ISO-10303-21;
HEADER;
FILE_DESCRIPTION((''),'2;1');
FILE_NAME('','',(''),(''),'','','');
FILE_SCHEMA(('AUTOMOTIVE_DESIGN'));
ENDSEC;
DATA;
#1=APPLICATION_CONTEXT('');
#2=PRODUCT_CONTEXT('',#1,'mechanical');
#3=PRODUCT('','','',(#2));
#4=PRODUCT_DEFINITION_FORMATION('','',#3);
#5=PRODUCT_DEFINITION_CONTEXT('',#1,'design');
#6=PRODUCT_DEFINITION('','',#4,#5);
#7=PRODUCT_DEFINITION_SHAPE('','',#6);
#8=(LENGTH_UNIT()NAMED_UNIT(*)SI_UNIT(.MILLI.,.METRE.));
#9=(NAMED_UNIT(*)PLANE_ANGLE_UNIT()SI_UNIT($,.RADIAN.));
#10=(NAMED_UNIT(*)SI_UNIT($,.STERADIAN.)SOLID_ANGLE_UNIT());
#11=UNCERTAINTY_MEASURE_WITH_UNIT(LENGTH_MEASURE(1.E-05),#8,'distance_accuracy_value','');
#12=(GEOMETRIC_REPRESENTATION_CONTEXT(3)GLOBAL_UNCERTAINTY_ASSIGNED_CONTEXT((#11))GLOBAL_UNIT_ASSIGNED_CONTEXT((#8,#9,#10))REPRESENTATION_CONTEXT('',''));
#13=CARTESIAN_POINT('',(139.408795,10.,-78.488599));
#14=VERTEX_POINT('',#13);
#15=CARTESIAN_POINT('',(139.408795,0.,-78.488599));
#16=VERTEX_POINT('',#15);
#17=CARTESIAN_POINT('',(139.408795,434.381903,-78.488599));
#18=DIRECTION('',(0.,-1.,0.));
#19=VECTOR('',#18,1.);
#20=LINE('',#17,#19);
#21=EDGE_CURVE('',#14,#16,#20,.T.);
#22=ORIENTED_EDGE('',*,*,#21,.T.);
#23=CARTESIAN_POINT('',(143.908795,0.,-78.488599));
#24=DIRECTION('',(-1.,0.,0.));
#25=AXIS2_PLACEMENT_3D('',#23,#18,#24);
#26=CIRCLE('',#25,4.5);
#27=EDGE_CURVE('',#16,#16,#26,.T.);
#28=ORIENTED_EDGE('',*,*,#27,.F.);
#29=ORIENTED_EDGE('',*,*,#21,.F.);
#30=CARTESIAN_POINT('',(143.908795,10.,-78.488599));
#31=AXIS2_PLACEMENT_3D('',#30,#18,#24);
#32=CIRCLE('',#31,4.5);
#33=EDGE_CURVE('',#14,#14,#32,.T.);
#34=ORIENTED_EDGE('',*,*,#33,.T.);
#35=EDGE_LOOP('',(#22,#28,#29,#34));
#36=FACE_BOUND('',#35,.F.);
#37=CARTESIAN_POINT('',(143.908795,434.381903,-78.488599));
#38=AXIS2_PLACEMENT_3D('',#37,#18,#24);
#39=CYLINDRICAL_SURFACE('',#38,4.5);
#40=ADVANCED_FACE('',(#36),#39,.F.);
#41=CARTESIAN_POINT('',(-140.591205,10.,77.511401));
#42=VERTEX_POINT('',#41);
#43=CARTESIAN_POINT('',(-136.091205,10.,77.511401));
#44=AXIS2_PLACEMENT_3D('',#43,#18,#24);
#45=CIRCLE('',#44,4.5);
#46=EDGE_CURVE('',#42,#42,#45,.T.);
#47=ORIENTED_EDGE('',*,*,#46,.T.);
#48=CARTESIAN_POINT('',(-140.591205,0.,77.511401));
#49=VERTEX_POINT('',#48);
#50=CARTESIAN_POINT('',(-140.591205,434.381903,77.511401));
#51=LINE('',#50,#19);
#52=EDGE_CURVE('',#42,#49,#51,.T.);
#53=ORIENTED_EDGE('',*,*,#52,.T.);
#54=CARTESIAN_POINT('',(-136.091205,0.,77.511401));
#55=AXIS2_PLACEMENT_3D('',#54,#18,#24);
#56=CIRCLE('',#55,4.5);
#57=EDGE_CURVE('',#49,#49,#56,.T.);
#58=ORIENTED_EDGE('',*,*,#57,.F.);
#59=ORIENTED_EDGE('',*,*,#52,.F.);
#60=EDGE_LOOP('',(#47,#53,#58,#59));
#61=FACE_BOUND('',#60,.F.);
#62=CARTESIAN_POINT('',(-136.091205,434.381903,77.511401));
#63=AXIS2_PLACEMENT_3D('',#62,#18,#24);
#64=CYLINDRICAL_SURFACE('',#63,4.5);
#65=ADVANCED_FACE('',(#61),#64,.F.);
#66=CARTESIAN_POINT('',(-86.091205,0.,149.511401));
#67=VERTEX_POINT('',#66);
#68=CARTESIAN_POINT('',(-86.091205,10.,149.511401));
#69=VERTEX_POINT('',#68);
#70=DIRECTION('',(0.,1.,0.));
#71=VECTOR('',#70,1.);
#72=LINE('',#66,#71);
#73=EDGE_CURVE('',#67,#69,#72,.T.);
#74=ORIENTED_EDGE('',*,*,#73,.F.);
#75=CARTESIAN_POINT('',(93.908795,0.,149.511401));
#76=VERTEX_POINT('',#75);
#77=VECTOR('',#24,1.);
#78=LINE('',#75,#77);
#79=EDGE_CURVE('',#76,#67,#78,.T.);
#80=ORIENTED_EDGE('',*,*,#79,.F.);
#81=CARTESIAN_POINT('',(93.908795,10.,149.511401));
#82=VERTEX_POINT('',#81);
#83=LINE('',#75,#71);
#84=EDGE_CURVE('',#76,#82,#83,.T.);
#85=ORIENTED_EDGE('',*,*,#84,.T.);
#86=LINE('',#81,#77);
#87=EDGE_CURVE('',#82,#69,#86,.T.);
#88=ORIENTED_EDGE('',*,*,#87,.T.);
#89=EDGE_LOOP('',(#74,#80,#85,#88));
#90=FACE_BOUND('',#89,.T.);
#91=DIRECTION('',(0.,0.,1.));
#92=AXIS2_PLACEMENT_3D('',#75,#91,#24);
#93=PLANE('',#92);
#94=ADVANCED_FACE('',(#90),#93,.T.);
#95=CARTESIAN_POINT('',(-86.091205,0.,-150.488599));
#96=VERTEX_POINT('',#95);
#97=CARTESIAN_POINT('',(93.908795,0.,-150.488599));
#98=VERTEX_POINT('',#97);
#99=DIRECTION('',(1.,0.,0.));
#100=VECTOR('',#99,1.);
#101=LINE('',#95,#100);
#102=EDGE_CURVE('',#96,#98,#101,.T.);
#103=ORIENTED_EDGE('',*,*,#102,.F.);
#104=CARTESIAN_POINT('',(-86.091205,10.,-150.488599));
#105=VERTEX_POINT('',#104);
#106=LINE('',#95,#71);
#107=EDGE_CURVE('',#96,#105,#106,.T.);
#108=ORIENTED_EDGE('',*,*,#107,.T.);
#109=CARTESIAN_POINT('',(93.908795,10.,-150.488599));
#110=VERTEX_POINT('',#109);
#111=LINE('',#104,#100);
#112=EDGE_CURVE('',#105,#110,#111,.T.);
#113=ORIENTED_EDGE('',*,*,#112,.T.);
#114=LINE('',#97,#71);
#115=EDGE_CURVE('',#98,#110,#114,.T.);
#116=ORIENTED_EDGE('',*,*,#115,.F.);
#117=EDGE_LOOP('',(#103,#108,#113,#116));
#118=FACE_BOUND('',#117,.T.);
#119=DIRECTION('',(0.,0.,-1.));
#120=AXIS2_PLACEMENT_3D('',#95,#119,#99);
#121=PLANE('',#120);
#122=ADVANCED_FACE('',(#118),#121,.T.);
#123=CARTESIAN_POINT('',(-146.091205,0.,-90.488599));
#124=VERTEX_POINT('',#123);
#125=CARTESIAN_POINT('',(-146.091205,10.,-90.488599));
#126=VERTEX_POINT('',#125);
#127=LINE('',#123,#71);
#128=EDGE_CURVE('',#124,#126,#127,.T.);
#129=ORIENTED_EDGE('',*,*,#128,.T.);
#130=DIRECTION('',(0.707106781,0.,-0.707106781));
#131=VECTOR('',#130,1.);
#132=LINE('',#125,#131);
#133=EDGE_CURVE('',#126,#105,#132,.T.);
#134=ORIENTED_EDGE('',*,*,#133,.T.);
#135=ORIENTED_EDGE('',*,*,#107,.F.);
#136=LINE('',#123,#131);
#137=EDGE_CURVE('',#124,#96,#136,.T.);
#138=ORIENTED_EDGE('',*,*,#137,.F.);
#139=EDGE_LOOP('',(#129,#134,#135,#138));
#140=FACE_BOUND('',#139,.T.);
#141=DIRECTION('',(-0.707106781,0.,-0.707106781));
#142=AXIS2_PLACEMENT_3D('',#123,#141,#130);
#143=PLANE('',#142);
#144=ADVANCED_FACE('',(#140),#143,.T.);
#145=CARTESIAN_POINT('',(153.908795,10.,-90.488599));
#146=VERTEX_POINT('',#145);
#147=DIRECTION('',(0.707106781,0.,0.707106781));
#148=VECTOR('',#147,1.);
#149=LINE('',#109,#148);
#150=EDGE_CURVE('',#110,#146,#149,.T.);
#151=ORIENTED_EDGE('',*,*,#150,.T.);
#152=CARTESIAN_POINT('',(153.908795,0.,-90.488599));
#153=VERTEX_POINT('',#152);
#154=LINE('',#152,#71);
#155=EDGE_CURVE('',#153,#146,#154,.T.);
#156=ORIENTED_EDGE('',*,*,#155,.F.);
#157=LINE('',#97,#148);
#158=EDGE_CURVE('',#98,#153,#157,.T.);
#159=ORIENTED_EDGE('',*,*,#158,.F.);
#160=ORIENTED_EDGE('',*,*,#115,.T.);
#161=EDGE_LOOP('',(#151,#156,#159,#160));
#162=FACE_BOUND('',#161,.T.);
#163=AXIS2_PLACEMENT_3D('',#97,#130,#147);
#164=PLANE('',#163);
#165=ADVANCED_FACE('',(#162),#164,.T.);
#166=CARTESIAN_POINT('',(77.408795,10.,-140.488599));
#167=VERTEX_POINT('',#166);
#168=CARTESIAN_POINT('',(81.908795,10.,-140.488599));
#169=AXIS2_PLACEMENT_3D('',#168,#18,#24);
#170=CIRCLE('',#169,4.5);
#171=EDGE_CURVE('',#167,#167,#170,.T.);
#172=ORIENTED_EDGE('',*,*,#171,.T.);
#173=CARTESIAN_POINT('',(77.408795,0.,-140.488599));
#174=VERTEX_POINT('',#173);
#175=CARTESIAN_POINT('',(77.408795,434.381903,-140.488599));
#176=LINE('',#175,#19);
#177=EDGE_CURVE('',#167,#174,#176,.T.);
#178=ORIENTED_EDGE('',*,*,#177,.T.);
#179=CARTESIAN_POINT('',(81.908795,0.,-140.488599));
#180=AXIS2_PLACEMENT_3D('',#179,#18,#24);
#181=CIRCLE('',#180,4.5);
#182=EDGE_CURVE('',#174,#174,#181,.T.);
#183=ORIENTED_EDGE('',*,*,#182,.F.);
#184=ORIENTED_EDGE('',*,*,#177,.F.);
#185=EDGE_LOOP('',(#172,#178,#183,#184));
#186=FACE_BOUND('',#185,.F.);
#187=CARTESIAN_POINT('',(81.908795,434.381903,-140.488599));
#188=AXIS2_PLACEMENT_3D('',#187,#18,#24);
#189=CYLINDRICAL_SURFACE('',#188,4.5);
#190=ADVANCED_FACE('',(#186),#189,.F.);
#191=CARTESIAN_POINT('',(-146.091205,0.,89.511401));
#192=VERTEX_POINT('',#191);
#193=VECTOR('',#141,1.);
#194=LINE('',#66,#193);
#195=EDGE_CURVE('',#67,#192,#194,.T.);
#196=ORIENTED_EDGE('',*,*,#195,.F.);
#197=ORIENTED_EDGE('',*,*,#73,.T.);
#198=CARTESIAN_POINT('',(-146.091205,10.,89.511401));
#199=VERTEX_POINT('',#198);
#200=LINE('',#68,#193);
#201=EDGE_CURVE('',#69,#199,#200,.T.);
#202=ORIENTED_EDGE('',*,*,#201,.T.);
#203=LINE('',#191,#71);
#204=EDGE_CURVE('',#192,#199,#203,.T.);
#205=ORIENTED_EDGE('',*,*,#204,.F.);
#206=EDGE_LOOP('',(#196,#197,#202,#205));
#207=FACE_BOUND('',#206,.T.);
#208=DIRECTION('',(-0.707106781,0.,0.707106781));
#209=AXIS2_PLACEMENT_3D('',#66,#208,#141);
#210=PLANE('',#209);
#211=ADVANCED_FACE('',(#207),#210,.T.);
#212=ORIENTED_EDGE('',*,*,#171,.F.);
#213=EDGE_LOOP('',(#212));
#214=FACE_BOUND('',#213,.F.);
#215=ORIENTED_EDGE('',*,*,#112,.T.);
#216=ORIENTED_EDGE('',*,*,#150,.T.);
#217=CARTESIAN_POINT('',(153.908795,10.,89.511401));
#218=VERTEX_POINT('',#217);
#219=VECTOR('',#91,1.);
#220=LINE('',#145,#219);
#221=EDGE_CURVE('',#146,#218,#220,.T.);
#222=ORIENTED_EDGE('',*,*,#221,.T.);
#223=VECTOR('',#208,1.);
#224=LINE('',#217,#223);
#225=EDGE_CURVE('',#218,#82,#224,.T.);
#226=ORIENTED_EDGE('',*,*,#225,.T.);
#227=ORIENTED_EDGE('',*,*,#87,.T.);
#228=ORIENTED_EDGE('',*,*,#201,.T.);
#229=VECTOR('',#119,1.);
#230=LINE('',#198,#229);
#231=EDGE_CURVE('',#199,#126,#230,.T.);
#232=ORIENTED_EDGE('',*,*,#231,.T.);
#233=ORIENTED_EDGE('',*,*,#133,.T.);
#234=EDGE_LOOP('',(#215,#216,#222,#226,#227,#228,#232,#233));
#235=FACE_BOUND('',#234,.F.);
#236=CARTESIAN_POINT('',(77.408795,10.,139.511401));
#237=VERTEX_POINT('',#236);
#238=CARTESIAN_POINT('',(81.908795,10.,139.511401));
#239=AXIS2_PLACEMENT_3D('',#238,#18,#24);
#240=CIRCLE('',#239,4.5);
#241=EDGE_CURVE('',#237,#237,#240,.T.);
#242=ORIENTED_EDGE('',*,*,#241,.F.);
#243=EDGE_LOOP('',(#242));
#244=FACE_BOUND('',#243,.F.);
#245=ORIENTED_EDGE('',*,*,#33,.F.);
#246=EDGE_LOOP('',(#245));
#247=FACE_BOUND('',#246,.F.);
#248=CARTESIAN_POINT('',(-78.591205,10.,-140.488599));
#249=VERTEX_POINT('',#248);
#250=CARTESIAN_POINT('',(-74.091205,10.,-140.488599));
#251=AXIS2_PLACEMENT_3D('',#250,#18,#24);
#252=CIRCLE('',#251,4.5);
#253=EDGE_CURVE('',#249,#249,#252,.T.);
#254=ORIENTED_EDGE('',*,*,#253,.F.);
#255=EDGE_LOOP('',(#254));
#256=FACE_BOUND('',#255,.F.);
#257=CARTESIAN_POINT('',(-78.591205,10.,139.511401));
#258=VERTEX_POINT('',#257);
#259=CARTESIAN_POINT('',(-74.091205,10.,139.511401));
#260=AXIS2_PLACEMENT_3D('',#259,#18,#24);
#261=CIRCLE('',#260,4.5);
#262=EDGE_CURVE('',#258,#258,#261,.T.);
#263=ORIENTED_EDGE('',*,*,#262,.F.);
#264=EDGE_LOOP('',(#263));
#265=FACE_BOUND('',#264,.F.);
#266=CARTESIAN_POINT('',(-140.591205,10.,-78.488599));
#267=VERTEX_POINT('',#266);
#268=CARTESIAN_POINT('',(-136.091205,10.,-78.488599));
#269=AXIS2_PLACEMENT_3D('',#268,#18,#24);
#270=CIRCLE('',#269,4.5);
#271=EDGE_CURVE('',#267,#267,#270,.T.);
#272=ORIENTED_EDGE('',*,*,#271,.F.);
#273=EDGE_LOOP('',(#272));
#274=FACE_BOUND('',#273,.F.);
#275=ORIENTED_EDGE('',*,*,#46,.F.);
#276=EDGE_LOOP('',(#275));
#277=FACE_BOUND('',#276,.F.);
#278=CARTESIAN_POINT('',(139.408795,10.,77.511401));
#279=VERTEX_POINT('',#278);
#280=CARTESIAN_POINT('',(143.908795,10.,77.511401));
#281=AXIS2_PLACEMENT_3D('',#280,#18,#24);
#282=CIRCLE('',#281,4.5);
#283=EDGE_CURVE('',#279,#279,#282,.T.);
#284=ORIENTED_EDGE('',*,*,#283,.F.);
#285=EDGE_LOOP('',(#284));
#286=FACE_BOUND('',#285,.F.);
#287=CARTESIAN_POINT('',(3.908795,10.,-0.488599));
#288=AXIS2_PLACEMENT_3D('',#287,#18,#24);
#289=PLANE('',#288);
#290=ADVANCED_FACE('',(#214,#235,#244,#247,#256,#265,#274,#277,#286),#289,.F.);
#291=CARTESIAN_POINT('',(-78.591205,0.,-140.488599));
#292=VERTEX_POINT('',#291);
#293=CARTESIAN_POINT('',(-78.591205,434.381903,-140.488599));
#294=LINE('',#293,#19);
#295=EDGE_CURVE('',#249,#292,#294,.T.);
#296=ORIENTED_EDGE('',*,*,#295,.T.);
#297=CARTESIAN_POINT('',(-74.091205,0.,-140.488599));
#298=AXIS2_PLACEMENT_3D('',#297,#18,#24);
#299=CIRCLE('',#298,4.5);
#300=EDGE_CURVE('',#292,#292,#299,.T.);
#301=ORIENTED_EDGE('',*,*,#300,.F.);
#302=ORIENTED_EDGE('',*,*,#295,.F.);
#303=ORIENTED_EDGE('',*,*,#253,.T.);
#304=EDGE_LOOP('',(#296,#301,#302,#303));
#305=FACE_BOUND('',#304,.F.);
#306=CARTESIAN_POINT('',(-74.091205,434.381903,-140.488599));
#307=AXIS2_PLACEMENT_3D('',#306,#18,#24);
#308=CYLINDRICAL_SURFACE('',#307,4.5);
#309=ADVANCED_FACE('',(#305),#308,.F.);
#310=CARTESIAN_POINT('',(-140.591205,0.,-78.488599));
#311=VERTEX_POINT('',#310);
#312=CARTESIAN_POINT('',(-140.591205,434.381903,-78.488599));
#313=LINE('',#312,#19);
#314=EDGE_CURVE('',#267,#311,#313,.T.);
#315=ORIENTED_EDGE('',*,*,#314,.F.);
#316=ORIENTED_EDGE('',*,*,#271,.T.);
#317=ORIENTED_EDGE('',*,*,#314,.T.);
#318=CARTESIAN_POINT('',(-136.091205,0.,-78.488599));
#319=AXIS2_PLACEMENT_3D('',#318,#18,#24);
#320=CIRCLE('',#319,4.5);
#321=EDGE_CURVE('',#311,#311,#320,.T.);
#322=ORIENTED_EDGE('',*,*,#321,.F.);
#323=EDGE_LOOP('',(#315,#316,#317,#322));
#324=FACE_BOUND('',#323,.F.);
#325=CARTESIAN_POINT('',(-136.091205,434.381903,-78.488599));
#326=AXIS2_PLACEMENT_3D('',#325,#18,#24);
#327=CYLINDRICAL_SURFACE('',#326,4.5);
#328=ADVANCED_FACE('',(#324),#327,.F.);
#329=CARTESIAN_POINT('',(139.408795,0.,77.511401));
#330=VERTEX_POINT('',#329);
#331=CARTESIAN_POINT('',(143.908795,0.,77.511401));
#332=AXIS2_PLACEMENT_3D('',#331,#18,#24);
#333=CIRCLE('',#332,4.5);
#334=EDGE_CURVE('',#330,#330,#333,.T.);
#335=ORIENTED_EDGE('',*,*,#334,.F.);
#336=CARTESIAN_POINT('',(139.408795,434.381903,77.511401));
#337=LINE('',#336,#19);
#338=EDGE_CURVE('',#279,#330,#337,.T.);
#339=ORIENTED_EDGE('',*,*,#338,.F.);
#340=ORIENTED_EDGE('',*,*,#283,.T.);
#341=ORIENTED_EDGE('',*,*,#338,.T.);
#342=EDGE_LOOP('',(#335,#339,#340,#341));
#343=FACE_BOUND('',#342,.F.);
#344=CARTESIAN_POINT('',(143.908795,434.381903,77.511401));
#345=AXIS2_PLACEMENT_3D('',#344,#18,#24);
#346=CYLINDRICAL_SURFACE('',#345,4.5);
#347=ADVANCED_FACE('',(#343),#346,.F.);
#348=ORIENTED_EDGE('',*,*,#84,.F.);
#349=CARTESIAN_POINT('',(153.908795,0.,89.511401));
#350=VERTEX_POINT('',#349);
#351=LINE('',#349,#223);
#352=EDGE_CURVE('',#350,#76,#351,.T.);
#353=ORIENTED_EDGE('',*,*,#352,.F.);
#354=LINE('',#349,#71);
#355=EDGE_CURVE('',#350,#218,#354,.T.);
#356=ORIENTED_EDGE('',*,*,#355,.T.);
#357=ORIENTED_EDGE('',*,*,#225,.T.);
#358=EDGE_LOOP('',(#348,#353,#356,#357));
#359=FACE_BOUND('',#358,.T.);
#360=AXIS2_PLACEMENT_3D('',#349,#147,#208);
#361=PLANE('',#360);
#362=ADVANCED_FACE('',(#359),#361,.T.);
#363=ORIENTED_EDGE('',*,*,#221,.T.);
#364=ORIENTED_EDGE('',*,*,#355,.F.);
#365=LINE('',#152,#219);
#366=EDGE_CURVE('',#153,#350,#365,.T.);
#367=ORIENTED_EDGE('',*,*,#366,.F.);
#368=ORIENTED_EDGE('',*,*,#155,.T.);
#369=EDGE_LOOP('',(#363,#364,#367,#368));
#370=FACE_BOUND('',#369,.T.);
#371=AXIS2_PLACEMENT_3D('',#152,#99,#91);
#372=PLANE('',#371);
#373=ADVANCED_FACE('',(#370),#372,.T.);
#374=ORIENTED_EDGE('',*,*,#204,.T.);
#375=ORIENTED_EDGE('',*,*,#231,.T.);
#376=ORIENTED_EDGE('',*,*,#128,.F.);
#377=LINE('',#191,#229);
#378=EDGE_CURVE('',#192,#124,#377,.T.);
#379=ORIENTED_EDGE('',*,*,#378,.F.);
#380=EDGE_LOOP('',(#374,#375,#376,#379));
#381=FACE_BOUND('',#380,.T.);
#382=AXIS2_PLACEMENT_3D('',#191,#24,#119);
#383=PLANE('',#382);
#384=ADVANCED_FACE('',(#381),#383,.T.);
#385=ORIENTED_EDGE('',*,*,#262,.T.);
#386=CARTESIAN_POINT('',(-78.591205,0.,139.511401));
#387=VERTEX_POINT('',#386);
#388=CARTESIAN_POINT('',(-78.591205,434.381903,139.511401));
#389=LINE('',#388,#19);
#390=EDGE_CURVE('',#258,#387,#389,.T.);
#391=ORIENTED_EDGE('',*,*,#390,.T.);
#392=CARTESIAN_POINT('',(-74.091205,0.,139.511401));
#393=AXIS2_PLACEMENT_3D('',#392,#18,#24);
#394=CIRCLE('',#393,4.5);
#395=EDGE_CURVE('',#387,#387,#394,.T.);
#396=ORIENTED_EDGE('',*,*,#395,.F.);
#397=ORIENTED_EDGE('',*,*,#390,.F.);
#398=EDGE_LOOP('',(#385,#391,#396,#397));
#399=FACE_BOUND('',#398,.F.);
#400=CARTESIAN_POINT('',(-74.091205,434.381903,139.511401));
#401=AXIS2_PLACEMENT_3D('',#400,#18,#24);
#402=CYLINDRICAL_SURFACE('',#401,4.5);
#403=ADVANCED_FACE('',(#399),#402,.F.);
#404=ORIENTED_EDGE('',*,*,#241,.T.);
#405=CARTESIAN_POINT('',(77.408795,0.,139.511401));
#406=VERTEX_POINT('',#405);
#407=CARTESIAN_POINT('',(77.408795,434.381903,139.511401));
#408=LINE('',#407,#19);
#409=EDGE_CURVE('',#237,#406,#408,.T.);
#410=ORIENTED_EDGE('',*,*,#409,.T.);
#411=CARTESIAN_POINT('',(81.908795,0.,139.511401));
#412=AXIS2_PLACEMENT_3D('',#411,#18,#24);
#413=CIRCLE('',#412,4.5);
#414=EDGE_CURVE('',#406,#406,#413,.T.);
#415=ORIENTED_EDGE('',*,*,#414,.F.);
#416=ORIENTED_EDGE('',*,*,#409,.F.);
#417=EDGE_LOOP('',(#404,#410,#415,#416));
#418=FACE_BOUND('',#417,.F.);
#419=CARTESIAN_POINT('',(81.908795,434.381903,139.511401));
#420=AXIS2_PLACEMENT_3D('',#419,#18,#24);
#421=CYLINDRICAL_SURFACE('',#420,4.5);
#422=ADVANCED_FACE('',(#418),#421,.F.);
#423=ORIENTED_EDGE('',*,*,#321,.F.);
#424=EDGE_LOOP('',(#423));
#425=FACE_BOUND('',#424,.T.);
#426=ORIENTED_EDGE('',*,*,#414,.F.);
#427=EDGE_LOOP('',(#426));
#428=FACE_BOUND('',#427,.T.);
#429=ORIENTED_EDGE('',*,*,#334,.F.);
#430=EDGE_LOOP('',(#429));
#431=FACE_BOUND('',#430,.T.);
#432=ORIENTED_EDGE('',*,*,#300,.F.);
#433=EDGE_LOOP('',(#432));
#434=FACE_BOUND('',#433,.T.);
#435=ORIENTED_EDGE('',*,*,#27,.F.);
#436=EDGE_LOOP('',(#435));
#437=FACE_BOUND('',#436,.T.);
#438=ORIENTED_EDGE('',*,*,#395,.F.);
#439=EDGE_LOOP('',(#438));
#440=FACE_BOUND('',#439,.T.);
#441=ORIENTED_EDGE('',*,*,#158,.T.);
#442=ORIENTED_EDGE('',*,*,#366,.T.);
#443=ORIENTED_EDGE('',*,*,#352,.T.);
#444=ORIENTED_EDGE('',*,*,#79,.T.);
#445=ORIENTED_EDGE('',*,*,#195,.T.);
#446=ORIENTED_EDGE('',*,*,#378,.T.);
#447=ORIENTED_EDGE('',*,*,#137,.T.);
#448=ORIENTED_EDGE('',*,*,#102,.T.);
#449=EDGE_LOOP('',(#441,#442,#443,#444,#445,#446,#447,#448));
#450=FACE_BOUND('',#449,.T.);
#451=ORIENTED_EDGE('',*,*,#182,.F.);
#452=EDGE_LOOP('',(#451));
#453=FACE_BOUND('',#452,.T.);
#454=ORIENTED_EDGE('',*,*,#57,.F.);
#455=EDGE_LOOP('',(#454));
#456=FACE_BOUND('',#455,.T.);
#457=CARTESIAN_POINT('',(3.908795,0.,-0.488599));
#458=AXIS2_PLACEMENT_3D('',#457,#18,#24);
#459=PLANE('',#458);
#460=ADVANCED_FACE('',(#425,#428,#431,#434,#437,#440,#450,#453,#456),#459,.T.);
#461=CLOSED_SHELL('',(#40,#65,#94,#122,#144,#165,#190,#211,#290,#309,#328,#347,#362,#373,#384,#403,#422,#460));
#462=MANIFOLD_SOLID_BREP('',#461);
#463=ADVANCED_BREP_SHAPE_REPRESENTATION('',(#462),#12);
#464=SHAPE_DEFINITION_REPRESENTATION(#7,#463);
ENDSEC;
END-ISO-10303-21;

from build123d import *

# Parameters (mm, degrees)
BOSS_EXTRUDE1_DEPTH   = 10
F_1_0MM_DOWEL_HOLE1_D = 9


with BuildPart() as part:
    # Sketch1 → Boss-Extrude1 (new body)
    with BuildSketch(Plane(origin=(0, 0, 0), x_dir=(1, 0, 0), z_dir=(0, 1, 0))):
        Polygon((-146.091205212, 90.488599349), (-86.091205212, 150.488599349), (93.908794788, 150.488599349), (153.908794788, 90.488599349), (153.908794788, -89.511400651), (93.908794788, -149.511400651), (-86.091205212, -149.511400651), (-146.091205212, -89.511400651), align=None)
    extrude(amount=BOSS_EXTRUDE1_DEPTH)

    # Ø1.0mm Dowel Hole1 (through all)
    with Locations(Plane(origin=(0, 10, 0), x_dir=(1, 0, 0), z_dir=(0, 1, 0))):
        with Locations((-136.091205212, 78.488599349), (-74.091205212, 140.488599349), (81.908794788, 140.488599349), (143.908794788, 78.488599349), (143.908794788, -77.511400651), (81.908794788, -139.511400651), (-74.091205212, -139.511400651), (-136.091205212, -77.511400651)):
            Hole(F_1_0MM_DOWEL_HOLE1_D / 2)


solid = part.part
